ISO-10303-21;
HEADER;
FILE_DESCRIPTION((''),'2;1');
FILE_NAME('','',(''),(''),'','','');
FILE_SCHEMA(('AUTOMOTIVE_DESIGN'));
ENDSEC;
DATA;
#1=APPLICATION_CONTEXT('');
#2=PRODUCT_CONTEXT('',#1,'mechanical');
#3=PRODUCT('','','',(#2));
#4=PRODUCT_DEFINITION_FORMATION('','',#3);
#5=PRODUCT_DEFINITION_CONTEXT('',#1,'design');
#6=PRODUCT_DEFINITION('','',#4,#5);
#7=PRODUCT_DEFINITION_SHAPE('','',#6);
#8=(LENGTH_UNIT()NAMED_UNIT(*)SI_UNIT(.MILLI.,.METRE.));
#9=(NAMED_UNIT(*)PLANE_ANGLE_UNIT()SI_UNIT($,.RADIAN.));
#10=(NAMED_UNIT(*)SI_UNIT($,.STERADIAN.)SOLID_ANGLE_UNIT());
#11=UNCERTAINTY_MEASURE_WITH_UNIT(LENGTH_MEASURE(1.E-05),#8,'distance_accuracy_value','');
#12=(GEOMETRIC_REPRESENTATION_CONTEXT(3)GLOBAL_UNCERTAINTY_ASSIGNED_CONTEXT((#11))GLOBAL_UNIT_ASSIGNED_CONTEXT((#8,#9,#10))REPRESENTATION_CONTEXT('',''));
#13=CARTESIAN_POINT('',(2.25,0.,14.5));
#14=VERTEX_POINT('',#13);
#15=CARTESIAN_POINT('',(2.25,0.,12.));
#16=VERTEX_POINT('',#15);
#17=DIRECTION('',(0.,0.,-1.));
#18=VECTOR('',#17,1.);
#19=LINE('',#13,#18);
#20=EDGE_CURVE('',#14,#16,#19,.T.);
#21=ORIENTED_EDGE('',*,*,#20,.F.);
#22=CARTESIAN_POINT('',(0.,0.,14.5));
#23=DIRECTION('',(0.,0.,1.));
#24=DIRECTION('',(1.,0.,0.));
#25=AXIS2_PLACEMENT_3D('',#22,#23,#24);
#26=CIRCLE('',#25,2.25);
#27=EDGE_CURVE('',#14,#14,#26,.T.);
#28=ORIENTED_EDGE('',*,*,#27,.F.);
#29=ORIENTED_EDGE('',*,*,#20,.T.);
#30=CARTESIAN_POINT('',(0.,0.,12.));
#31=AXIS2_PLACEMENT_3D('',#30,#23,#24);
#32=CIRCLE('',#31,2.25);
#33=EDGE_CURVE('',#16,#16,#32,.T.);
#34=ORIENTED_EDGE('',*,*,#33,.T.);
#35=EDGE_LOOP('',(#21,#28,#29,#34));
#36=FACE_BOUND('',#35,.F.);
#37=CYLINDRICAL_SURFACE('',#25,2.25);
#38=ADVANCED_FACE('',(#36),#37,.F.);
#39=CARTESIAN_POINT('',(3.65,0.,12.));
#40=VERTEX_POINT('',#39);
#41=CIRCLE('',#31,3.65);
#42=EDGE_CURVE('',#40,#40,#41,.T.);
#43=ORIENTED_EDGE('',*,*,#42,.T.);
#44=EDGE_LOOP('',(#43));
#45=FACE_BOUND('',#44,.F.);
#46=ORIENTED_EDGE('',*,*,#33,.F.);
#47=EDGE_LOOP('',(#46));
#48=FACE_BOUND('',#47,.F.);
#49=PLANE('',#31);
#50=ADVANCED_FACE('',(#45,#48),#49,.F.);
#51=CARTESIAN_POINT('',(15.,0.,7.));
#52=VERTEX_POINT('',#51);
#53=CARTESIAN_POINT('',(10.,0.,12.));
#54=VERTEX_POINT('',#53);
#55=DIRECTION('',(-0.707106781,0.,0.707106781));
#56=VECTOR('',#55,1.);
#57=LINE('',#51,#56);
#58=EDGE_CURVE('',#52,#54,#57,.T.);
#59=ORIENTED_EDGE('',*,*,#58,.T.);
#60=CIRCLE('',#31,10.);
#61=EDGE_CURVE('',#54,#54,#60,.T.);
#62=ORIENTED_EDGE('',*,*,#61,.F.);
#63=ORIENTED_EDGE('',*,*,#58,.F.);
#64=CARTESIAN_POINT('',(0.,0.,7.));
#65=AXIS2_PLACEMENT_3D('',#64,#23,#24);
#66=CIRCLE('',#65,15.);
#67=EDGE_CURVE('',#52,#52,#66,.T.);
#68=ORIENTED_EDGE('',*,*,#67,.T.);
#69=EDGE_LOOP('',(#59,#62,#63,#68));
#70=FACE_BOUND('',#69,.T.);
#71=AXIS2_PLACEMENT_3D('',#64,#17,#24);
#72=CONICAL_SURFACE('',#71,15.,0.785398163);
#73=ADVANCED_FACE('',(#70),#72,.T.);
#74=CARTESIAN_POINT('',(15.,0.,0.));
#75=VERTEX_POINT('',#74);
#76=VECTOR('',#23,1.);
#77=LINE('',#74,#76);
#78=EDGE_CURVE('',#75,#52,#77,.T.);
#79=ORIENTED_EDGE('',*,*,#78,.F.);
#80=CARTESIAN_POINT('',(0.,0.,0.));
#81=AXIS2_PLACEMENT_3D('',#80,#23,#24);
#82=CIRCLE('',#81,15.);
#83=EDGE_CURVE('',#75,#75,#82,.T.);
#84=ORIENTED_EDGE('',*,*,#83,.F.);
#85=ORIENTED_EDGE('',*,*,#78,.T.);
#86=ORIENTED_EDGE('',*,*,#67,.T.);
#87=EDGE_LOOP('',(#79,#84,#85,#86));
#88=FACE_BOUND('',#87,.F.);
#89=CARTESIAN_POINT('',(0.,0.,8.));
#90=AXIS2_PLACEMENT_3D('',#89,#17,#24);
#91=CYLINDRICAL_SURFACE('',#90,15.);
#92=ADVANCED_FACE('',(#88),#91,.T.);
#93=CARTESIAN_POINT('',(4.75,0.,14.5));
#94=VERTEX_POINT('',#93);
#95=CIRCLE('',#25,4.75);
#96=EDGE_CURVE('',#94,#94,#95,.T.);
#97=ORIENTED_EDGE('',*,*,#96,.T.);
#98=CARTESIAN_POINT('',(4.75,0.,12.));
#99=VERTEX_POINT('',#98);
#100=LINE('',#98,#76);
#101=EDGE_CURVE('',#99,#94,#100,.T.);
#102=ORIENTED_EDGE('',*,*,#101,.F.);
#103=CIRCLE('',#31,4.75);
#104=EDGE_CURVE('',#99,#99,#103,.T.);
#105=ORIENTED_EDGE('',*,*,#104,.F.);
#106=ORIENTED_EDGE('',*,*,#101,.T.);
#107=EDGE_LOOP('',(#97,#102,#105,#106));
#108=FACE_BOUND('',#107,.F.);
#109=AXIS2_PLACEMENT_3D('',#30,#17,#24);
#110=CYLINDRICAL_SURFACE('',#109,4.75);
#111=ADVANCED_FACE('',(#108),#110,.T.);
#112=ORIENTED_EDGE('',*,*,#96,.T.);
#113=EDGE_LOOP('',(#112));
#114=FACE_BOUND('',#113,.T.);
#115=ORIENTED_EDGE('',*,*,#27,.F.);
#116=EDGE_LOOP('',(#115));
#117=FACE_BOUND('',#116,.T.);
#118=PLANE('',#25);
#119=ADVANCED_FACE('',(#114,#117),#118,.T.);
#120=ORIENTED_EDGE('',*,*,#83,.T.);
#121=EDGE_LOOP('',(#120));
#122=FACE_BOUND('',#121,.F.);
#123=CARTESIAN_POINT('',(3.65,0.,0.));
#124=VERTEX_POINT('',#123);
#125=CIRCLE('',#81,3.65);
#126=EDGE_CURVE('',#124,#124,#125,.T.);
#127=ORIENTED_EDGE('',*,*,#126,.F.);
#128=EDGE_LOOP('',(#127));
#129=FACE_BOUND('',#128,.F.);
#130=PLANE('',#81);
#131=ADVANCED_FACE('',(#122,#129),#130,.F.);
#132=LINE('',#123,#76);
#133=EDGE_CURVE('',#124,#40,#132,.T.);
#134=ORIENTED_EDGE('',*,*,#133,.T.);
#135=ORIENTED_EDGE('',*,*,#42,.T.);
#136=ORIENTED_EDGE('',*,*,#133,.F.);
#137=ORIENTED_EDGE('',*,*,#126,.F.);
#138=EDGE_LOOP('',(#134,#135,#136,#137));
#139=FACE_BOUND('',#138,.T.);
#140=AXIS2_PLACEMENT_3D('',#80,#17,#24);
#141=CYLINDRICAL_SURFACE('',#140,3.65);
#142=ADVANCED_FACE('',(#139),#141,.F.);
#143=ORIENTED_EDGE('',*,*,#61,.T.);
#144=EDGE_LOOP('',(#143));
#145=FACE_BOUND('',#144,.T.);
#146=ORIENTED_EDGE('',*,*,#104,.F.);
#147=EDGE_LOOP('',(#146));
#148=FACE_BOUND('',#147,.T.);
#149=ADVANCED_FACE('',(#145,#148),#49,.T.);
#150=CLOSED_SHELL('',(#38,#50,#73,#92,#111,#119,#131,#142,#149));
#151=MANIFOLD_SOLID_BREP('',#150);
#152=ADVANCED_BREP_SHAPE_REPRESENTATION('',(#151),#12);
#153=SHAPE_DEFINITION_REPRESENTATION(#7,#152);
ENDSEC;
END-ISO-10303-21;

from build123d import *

# Parameters (mm, degrees)
F0_R     = 15
F0_R_2   = 3.65
F1_DEPTH = 8
F2_R     = 15
F3_DEPTH = 4
F4_SIZE  = 5
F5_R     = 4.75
F6_DEPTH = 2.5
F7_R     = 2.25
F8_DEPTH = 5
F9_DEPTH = 12


with BuildPart() as f1:
    # F0 (on Top) → F1 (new body)
    with BuildSketch(Plane.XY):
        Circle(F0_R)
        Circle(F0_R_2, mode=Mode.SUBTRACT)
    extrude(amount=F1_DEPTH)

    # F2 (on face) → F3 (join)
    with BuildSketch(Plane.XY.offset(8)):
        Circle(F2_R)
    extrude(amount=F3_DEPTH)

    # F4
    f4_edges = [f1.edges().sort_by_distance(p)[0] for p in [
        (-15, 0, 12),
    ]]
    chamfer(f4_edges, length=F4_SIZE)

    # F5 (on face) → F6 (join)
    with BuildSketch(Plane.XY.offset(12)):
        Circle(F5_R)
    extrude(amount=F6_DEPTH)

    # F7 (on face) → F8 (cut)
    with BuildSketch(Plane.XY.offset(14.5)):
        Circle(F7_R)
    extrude(amount=-F8_DEPTH, mode=Mode.SUBTRACT)

    # F0 (on Top) → F9 (cut)
    with BuildSketch(Plane.XY):
        Circle(F0_R_2)
    extrude(amount=F9_DEPTH, mode=Mode.SUBTRACT)


solid = f1.part
